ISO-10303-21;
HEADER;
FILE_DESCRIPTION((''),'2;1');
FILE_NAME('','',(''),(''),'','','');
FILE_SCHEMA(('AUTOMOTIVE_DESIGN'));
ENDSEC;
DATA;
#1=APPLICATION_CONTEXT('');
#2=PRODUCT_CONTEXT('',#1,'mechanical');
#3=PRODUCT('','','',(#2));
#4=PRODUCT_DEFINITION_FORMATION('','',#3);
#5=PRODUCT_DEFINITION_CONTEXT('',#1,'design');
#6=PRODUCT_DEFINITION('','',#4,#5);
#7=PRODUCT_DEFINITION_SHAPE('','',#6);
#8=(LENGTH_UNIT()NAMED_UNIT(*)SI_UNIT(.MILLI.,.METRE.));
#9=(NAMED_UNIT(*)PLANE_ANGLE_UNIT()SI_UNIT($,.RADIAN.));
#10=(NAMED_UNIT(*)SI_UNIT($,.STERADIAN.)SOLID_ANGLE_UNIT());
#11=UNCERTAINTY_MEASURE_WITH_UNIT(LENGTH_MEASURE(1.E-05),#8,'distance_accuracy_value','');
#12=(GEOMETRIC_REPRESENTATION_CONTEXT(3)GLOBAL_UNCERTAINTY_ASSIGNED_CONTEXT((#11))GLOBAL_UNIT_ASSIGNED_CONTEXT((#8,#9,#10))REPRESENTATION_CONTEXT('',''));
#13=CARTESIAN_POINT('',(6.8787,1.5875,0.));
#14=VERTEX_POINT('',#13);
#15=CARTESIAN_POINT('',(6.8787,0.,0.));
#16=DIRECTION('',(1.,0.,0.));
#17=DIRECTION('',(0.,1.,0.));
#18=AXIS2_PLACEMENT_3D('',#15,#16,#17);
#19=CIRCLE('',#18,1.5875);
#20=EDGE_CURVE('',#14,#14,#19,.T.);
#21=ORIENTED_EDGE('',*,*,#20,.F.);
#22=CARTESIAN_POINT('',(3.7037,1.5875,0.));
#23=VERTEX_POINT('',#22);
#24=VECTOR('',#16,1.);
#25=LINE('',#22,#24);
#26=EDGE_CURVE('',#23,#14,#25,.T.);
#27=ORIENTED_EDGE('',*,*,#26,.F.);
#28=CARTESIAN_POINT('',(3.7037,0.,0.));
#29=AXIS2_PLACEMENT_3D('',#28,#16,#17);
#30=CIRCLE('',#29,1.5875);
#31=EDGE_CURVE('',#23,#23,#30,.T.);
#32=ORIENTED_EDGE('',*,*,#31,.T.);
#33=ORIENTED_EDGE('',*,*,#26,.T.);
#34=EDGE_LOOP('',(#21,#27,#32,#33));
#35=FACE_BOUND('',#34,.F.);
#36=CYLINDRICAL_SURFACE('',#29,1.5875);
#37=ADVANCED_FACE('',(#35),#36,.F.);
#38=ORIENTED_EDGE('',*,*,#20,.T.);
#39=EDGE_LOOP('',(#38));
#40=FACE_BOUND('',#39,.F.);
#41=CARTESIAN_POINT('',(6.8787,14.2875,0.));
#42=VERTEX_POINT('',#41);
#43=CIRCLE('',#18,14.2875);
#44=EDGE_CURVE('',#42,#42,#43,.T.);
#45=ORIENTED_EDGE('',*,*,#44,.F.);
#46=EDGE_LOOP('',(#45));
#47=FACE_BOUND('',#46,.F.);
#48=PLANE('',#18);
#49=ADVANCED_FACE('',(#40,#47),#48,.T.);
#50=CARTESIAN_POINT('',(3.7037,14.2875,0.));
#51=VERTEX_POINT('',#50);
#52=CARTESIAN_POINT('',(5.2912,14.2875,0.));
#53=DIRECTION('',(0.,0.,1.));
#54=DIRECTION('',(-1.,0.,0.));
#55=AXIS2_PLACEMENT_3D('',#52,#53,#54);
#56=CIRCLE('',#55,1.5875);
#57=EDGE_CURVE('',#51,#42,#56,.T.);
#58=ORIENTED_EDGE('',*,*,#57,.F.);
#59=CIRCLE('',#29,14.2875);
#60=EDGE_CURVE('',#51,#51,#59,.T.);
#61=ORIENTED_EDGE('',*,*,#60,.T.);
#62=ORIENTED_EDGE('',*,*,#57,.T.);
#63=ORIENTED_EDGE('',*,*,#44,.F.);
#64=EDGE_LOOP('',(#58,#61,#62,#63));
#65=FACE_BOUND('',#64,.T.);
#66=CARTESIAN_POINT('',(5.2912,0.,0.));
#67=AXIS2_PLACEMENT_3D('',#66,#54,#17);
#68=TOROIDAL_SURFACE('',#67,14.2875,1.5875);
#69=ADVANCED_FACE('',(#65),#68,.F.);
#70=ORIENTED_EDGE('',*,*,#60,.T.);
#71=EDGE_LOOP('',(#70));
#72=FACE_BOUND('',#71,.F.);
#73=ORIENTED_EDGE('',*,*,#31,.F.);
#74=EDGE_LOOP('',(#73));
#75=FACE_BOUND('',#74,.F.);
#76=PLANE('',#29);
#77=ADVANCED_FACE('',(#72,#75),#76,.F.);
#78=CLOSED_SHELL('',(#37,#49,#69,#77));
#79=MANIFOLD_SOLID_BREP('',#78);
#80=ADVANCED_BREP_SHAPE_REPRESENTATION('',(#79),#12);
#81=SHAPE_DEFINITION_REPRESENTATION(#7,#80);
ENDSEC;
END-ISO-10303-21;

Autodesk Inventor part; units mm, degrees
ref_plane "YZ Plane" through (0, 0, 0) normal (1, 0, 0) x (0, 1, 0)
ref_plane "XZ Plane" through (0, 0, 0) normal (0, 1, 0) x (-1, 0, 0)
ref_plane "XY Plane" through (0, 0, 0) normal (0, 0, 1) x (1, 0, 0)
sketch "Sketch1" plane through (0, 0, 0) normal (0, 0, 1) x (1, 0, 0)
  line L0 (0, 0) -> (15.6296, 0)
  line L1 (3.7037, 1.5875) -> (6.8787, 1.5875)
  line L2 (6.8787, 1.5875) -> (6.8787, 14.2875)
  line L3 (3.7037, 14.2875) -> (3.7037, 1.5875)
  arc A0 (3.7037, 14.2875) -> (6.8787, 14.2875) centre (5.2912, 14.2875) ccw
  dimension "d0" = 3.175
  dimension "d1" = 12.7
  dimension "d2" = 1.5875
revolve "Revolution1" add sketch "Sketch1" angle 360 about axis through (0, 0, 0) along (1, 0, 0)
properties part number "spool" material "Bronze, Cast"
